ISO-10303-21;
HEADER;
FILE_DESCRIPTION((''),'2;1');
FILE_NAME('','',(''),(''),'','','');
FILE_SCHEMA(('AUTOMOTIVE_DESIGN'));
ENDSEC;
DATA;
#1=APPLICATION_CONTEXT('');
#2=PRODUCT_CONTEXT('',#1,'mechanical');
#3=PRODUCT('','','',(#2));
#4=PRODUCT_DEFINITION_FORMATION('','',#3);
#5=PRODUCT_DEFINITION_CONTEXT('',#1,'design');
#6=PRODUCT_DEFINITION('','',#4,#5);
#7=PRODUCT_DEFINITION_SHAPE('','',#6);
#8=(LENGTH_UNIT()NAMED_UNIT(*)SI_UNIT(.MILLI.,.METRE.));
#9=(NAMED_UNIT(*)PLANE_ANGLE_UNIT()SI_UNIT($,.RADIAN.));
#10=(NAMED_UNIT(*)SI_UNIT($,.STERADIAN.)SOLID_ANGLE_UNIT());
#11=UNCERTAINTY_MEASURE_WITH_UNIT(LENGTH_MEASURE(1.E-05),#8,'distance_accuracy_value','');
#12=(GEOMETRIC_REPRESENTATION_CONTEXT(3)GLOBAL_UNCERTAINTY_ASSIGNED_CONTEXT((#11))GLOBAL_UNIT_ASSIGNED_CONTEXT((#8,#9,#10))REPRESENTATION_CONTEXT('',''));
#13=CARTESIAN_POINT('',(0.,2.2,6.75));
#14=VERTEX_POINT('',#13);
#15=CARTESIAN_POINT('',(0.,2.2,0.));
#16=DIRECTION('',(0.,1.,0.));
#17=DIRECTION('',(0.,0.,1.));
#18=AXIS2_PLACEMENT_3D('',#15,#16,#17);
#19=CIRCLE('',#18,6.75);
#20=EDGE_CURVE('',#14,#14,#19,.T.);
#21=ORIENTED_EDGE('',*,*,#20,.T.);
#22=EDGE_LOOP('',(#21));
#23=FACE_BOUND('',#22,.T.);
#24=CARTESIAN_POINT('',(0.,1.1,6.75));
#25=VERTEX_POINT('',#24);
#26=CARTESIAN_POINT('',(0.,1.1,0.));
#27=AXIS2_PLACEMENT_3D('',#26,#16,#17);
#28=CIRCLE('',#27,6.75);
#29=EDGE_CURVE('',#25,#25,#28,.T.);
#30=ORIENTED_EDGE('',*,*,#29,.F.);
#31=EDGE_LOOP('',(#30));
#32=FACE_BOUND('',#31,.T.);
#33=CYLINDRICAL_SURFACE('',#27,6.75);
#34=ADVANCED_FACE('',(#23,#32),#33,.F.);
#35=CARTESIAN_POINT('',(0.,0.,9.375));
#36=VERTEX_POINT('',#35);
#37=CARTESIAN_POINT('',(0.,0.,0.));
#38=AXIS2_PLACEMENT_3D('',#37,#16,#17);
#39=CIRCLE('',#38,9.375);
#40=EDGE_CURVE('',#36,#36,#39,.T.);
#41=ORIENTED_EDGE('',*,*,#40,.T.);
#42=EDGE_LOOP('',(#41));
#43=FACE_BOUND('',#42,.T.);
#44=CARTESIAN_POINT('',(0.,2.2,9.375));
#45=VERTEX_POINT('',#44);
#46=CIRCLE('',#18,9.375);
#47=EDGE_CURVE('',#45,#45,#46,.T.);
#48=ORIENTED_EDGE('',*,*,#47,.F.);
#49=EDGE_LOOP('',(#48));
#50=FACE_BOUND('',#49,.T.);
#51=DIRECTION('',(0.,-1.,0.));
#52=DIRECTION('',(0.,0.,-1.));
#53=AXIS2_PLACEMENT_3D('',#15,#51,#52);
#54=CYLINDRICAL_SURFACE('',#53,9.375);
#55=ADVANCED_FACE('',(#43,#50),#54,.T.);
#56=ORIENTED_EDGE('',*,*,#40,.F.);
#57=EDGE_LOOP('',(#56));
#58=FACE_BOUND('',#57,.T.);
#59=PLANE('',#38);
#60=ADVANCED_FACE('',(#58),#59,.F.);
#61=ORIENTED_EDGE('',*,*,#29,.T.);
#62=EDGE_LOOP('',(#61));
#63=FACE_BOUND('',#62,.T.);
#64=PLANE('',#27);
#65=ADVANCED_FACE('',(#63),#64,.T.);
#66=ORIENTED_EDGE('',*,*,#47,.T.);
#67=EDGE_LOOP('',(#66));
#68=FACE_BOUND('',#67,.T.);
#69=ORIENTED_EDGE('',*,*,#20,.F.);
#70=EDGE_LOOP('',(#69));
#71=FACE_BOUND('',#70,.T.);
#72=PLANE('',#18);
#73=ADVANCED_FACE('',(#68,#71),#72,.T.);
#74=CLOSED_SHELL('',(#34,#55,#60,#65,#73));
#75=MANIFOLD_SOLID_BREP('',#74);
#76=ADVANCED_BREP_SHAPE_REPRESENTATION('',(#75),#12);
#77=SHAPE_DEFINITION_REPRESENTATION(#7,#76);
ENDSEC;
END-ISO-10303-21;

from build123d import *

# Parameters (mm, degrees)
SKETCH1_R           = 9.375
BOSS_EXTRUDE1_DEPTH = 2.2
SKETCH2_R           = 6.75
CUT_EXTRUDE1_DEPTH  = 1.1


with BuildPart() as part:
    # Sketch1 → Boss-Extrude1 (new body)
    with BuildSketch(Plane(origin=(0, 0, 0), x_dir=(1, 0, 0), z_dir=(0, 1, 0))):
        with Locations(Location((0, 0, 0), (0, 0, 270))):
            Circle(SKETCH1_R)
    extrude(amount=BOSS_EXTRUDE1_DEPTH)

    # Sketch2 → Cut-Extrude1 (cut)
    with BuildSketch(Plane(origin=(0, 2.2, 0), x_dir=(1, 0, 0), z_dir=(0, 1, 0))):
        with Locations(Location((0, 0, 0), (0, 0, 270))):
            Circle(SKETCH2_R)
    extrude(amount=-CUT_EXTRUDE1_DEPTH, mode=Mode.SUBTRACT)


solid = part.part
